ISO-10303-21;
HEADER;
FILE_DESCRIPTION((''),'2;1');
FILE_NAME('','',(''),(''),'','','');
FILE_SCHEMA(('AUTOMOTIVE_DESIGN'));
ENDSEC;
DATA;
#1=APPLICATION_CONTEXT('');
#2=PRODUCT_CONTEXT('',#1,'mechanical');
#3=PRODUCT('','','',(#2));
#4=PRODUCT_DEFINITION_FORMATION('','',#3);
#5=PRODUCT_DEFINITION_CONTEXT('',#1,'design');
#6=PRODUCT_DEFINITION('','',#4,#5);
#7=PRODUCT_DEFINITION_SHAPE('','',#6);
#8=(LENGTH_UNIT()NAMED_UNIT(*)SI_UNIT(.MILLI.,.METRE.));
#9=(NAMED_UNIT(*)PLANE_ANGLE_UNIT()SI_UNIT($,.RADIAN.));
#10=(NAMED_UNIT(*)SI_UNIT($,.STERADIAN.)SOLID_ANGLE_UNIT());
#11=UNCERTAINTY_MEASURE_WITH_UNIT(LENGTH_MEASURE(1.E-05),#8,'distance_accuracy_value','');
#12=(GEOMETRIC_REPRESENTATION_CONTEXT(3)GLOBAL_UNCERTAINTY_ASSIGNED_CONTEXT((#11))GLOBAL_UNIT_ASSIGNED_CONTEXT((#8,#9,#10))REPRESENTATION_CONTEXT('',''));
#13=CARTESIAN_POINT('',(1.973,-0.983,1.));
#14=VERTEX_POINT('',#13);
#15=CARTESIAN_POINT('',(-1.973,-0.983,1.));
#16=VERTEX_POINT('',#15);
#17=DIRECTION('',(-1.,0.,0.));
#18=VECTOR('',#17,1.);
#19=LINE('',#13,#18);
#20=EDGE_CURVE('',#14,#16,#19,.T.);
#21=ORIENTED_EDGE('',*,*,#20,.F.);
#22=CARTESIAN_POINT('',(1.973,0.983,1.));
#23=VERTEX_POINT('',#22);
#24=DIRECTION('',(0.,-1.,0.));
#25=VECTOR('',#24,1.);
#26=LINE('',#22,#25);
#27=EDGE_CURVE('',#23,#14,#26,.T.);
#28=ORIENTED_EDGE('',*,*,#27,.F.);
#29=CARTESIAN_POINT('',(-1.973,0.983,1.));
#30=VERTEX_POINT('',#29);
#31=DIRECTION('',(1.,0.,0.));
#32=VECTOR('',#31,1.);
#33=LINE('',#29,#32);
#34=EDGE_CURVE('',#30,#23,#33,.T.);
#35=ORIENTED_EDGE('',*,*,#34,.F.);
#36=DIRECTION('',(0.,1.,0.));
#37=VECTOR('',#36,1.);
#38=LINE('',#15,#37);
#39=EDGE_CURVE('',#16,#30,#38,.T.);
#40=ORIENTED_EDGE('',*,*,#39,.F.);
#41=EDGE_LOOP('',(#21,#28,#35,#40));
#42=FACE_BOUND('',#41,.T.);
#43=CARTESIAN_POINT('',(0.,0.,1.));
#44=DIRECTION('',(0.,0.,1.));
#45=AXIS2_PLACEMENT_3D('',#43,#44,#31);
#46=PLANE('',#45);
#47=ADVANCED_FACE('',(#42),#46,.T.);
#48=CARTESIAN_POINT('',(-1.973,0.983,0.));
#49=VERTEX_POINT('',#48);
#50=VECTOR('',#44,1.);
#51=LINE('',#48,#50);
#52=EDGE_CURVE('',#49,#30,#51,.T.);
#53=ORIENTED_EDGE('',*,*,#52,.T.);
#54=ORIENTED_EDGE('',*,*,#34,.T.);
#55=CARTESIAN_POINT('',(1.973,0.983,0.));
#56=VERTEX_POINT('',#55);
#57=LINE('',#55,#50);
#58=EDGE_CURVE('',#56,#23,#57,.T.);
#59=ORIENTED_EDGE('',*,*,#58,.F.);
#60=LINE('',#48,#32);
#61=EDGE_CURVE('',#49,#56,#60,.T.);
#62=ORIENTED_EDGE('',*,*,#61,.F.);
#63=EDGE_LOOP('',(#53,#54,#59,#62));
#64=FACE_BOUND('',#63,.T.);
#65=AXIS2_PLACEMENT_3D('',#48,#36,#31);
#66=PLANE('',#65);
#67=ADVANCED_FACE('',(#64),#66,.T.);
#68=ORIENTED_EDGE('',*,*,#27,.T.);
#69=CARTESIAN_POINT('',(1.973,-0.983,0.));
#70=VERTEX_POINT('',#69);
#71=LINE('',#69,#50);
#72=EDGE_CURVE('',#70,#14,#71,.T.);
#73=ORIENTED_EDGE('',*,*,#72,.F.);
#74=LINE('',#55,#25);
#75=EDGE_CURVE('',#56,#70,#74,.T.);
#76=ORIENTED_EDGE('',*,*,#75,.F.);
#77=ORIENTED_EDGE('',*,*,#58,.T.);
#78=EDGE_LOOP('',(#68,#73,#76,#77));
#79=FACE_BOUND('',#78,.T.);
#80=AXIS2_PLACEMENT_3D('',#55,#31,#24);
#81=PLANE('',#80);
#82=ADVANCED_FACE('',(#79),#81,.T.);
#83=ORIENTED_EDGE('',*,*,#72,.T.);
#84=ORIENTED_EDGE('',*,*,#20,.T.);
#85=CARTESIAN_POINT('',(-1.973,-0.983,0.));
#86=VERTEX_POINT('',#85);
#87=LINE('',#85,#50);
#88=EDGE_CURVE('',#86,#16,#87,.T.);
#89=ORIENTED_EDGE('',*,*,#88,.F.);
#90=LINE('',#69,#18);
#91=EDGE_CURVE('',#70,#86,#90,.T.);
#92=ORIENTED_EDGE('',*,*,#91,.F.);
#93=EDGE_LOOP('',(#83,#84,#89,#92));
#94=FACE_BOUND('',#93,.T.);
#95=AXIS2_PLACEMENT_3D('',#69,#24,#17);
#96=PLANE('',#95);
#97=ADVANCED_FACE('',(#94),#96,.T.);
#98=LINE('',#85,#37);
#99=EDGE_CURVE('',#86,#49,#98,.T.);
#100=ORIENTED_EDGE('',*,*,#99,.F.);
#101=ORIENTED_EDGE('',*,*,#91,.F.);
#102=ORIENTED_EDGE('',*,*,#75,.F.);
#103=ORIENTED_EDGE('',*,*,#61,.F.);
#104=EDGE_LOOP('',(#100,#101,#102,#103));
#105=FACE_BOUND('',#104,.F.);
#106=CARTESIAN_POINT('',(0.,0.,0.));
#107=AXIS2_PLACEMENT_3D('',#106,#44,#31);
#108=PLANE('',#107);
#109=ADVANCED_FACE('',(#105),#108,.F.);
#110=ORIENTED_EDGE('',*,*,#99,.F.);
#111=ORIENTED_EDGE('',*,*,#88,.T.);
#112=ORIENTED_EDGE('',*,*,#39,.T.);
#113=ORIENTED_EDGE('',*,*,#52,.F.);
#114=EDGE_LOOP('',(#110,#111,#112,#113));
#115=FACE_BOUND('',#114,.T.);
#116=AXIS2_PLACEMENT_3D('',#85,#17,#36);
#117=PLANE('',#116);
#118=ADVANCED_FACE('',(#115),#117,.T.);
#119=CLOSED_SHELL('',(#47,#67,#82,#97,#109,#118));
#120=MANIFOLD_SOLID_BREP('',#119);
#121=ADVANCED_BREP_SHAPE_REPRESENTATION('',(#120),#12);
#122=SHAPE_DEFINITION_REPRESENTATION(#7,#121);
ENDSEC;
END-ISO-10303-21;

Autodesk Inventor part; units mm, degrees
ref_plane "YZ Plane" through (0, 0, 0) normal (1, 0, 0) x (0, 1, 0)
ref_plane "XZ Plane" through (0, 0, 0) normal (0, 1, 0) x (-1, 0, 0)
ref_plane "XY Plane" through (0, 0, 0) normal (0, 0, 1) x (1, 0, 0)
sketch "R0805, 100K_49" plane through (0, 0, 0) normal (0, 0, 1) x (1, 0, 0)
  line L0 (-1.973, 0.983) -> (1.973, 0.983)
  line L1 (1.973, 0.983) -> (1.973, -0.983)
  line L2 (1.973, -0.983) -> (-1.973, -0.983)
  line L3 (-1.973, -0.983) -> (-1.973, 0.983)
extrude "Extrusion1" add sketch "R0805, 100K_49" along normal blind 1
properties part number "100K"
